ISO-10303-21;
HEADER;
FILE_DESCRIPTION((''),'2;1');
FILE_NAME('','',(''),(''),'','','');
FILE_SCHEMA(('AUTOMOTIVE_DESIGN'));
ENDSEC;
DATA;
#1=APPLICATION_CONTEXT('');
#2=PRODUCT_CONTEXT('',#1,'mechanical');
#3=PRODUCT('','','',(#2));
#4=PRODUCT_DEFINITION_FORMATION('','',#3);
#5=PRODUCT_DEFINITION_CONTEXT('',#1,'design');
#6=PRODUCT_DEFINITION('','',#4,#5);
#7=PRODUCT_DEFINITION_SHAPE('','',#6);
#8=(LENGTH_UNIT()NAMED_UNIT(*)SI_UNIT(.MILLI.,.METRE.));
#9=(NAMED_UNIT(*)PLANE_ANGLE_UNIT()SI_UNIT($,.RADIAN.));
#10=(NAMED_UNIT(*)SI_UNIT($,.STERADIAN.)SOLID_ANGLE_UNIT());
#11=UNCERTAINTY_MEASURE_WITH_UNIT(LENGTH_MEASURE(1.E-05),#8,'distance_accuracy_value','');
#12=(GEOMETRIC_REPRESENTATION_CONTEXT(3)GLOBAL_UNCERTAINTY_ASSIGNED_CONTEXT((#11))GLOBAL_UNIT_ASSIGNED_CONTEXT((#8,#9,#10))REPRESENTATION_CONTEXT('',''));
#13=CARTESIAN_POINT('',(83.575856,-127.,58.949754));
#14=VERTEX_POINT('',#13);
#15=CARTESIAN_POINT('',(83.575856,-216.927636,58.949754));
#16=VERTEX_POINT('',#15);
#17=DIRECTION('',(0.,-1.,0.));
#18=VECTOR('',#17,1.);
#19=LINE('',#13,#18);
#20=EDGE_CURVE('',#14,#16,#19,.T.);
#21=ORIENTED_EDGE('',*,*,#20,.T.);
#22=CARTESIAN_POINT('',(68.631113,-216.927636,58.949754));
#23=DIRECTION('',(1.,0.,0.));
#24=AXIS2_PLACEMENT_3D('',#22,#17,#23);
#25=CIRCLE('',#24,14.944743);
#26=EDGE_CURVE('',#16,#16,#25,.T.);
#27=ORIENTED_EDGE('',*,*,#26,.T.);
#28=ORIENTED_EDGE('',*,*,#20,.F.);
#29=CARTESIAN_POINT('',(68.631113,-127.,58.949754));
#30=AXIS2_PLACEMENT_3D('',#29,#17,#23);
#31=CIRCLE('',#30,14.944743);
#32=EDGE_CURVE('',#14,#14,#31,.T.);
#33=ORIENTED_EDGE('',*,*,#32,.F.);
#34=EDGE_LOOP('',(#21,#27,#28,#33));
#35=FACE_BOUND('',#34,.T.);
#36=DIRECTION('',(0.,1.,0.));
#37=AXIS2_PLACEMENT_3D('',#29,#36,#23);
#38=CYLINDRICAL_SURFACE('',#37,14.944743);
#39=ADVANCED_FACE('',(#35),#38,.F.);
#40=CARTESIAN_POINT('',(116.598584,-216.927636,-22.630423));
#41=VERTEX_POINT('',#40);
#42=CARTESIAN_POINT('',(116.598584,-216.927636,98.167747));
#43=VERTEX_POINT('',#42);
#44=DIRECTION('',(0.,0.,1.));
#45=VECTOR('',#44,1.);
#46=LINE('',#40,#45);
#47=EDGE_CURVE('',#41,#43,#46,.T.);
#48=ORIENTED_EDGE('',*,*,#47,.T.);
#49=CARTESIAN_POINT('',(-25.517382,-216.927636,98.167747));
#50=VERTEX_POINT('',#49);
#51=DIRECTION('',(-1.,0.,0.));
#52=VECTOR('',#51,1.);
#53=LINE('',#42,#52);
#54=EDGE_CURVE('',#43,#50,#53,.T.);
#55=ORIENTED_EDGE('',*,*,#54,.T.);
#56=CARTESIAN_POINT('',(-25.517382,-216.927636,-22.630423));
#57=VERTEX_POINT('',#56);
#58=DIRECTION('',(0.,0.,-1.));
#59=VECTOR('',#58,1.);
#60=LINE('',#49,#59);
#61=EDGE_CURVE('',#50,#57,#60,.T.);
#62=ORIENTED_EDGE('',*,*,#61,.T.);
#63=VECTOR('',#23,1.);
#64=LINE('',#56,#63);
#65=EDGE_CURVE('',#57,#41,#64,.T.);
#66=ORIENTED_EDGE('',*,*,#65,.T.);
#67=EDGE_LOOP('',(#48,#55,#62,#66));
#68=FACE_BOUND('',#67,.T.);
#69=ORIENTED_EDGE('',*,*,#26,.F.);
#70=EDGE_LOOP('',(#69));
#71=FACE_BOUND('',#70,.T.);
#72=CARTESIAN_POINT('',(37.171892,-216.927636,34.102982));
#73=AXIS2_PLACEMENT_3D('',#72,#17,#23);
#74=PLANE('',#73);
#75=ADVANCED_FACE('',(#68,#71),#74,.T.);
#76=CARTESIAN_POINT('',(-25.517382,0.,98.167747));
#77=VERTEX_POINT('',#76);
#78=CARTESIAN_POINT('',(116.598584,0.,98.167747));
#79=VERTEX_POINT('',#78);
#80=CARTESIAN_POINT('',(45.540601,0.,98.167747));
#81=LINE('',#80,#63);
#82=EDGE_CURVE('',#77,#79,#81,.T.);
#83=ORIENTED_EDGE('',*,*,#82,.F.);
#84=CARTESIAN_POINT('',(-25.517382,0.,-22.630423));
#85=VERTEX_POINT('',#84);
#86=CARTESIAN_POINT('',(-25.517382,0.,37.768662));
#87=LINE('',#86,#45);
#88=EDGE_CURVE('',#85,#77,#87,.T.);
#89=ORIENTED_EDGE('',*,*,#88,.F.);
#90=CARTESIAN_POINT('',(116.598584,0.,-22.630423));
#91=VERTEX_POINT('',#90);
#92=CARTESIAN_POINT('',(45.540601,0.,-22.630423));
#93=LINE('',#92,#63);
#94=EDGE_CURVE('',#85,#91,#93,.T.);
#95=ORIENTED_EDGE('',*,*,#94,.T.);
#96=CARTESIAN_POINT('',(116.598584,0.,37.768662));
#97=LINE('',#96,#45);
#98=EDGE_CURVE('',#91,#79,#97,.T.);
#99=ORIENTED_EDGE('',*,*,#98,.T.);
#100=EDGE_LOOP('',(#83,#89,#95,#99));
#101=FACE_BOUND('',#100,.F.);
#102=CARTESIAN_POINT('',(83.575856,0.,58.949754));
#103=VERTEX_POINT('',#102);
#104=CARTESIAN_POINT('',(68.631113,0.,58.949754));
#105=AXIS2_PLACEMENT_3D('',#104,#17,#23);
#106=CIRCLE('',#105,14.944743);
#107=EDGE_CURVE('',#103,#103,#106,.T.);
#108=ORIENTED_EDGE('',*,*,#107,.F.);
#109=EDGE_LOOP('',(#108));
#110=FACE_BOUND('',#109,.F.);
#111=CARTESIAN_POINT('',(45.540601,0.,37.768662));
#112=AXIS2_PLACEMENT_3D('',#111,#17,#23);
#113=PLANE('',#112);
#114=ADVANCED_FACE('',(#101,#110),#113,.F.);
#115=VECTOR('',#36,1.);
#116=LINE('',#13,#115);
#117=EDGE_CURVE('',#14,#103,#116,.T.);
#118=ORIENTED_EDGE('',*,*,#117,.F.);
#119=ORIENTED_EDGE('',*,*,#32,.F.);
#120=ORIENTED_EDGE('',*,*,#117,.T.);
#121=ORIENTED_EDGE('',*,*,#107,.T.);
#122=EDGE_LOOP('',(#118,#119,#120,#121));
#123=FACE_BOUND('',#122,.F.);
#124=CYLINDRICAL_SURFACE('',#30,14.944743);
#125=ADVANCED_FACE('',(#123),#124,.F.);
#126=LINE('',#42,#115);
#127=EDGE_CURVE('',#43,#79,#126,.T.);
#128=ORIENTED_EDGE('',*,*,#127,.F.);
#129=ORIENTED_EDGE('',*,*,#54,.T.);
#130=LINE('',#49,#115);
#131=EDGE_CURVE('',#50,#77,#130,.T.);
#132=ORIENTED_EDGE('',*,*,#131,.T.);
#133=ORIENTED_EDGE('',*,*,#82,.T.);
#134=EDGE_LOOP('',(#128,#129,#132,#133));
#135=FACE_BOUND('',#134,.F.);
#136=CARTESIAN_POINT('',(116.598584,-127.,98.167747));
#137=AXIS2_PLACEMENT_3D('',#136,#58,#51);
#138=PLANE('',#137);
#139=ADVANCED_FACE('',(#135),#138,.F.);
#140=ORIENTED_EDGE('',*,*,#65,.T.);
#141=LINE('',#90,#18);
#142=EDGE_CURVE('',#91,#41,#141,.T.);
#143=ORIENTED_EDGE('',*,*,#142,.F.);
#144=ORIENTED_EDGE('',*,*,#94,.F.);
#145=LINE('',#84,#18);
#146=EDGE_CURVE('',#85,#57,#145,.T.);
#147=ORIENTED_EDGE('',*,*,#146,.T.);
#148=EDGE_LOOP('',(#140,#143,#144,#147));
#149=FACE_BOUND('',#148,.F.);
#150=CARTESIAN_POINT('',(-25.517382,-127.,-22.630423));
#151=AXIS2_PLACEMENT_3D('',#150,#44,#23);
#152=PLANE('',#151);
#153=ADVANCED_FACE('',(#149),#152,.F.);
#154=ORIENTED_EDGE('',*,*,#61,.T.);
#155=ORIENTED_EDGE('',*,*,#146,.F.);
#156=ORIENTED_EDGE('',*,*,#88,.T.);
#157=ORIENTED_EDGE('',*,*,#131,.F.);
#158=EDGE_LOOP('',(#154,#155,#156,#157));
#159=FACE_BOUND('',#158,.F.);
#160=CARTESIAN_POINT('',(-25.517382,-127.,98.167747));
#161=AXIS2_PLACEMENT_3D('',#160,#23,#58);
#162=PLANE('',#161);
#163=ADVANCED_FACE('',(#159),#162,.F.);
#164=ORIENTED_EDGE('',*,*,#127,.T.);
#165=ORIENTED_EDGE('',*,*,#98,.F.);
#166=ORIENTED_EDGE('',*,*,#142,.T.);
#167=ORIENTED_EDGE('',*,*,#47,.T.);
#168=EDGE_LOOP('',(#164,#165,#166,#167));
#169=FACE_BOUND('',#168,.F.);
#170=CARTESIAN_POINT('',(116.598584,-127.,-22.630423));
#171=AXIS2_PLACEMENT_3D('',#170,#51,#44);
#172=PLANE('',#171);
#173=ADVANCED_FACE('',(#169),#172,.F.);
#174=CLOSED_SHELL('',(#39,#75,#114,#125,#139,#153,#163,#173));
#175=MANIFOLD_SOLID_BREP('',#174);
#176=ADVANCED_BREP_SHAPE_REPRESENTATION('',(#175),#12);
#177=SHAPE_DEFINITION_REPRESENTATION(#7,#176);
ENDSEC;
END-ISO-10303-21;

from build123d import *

# Parameters (mm, degrees)
F0_W     = 142.115966
F0_H     = 120.79817
F1_DEPTH = 127
F2_R     = 14.944743
F3_DEPTH = 127.001
F4_R     = 14.944743
F5_DEPTH = 89.927636


with BuildPart() as f1:
    # F0 (on Front) → F1 (new body)
    with BuildSketch(Plane.XZ):
        with Locations((45.540601, 37.768662)):
            Rectangle(F0_W, F0_H)
    extrude(amount=F1_DEPTH)

    # F2 (on face) → F3 (cut, through all)
    with BuildSketch(Plane.XZ.offset(127)):
        with Locations((68.631113, 58.949754)):
            Circle(F2_R)
    extrude(amount=-F3_DEPTH, mode=Mode.SUBTRACT)

    # F4 (on face) → F5 (join)
    with BuildSketch(Plane.XZ.offset(127)):
        with BuildLine():
            ThreePointArc((-25.517382, 25.873997), (3.077078, 45.820338), (26.239085, 19.762304))
            ThreePointArc((26.239085, 19.762304), (3.077078, -6.295731), (-25.517382, 13.650611))
            Line((-25.517382, 13.650611), (-25.517382, -22.630423))
            Line((-25.517382, -22.630423), (116.598584, -22.630423))
            Line((116.598584, -22.630423), (116.598584, 98.167747))
            Line((116.598584, 98.167747), (-25.517382, 98.167747))
            Line((-25.517382, 98.167747), (-25.517382, 25.873997))
        make_face()
        with Locations((68.631113, 58.949754)):
            Circle(F4_R, mode=Mode.SUBTRACT)
        with BuildLine():
            ThreePointArc((-25.517382, 13.650611), (3.077078, -6.295731), (26.239085, 19.762304))
            ThreePointArc((26.239085, 19.762304), (3.077078, 45.820338), (-25.517382, 25.873997))
            Line((-25.517382, 25.873997), (-25.517382, 13.650611))
        make_face()
    extrude(amount=F5_DEPTH)


solid = f1.part
